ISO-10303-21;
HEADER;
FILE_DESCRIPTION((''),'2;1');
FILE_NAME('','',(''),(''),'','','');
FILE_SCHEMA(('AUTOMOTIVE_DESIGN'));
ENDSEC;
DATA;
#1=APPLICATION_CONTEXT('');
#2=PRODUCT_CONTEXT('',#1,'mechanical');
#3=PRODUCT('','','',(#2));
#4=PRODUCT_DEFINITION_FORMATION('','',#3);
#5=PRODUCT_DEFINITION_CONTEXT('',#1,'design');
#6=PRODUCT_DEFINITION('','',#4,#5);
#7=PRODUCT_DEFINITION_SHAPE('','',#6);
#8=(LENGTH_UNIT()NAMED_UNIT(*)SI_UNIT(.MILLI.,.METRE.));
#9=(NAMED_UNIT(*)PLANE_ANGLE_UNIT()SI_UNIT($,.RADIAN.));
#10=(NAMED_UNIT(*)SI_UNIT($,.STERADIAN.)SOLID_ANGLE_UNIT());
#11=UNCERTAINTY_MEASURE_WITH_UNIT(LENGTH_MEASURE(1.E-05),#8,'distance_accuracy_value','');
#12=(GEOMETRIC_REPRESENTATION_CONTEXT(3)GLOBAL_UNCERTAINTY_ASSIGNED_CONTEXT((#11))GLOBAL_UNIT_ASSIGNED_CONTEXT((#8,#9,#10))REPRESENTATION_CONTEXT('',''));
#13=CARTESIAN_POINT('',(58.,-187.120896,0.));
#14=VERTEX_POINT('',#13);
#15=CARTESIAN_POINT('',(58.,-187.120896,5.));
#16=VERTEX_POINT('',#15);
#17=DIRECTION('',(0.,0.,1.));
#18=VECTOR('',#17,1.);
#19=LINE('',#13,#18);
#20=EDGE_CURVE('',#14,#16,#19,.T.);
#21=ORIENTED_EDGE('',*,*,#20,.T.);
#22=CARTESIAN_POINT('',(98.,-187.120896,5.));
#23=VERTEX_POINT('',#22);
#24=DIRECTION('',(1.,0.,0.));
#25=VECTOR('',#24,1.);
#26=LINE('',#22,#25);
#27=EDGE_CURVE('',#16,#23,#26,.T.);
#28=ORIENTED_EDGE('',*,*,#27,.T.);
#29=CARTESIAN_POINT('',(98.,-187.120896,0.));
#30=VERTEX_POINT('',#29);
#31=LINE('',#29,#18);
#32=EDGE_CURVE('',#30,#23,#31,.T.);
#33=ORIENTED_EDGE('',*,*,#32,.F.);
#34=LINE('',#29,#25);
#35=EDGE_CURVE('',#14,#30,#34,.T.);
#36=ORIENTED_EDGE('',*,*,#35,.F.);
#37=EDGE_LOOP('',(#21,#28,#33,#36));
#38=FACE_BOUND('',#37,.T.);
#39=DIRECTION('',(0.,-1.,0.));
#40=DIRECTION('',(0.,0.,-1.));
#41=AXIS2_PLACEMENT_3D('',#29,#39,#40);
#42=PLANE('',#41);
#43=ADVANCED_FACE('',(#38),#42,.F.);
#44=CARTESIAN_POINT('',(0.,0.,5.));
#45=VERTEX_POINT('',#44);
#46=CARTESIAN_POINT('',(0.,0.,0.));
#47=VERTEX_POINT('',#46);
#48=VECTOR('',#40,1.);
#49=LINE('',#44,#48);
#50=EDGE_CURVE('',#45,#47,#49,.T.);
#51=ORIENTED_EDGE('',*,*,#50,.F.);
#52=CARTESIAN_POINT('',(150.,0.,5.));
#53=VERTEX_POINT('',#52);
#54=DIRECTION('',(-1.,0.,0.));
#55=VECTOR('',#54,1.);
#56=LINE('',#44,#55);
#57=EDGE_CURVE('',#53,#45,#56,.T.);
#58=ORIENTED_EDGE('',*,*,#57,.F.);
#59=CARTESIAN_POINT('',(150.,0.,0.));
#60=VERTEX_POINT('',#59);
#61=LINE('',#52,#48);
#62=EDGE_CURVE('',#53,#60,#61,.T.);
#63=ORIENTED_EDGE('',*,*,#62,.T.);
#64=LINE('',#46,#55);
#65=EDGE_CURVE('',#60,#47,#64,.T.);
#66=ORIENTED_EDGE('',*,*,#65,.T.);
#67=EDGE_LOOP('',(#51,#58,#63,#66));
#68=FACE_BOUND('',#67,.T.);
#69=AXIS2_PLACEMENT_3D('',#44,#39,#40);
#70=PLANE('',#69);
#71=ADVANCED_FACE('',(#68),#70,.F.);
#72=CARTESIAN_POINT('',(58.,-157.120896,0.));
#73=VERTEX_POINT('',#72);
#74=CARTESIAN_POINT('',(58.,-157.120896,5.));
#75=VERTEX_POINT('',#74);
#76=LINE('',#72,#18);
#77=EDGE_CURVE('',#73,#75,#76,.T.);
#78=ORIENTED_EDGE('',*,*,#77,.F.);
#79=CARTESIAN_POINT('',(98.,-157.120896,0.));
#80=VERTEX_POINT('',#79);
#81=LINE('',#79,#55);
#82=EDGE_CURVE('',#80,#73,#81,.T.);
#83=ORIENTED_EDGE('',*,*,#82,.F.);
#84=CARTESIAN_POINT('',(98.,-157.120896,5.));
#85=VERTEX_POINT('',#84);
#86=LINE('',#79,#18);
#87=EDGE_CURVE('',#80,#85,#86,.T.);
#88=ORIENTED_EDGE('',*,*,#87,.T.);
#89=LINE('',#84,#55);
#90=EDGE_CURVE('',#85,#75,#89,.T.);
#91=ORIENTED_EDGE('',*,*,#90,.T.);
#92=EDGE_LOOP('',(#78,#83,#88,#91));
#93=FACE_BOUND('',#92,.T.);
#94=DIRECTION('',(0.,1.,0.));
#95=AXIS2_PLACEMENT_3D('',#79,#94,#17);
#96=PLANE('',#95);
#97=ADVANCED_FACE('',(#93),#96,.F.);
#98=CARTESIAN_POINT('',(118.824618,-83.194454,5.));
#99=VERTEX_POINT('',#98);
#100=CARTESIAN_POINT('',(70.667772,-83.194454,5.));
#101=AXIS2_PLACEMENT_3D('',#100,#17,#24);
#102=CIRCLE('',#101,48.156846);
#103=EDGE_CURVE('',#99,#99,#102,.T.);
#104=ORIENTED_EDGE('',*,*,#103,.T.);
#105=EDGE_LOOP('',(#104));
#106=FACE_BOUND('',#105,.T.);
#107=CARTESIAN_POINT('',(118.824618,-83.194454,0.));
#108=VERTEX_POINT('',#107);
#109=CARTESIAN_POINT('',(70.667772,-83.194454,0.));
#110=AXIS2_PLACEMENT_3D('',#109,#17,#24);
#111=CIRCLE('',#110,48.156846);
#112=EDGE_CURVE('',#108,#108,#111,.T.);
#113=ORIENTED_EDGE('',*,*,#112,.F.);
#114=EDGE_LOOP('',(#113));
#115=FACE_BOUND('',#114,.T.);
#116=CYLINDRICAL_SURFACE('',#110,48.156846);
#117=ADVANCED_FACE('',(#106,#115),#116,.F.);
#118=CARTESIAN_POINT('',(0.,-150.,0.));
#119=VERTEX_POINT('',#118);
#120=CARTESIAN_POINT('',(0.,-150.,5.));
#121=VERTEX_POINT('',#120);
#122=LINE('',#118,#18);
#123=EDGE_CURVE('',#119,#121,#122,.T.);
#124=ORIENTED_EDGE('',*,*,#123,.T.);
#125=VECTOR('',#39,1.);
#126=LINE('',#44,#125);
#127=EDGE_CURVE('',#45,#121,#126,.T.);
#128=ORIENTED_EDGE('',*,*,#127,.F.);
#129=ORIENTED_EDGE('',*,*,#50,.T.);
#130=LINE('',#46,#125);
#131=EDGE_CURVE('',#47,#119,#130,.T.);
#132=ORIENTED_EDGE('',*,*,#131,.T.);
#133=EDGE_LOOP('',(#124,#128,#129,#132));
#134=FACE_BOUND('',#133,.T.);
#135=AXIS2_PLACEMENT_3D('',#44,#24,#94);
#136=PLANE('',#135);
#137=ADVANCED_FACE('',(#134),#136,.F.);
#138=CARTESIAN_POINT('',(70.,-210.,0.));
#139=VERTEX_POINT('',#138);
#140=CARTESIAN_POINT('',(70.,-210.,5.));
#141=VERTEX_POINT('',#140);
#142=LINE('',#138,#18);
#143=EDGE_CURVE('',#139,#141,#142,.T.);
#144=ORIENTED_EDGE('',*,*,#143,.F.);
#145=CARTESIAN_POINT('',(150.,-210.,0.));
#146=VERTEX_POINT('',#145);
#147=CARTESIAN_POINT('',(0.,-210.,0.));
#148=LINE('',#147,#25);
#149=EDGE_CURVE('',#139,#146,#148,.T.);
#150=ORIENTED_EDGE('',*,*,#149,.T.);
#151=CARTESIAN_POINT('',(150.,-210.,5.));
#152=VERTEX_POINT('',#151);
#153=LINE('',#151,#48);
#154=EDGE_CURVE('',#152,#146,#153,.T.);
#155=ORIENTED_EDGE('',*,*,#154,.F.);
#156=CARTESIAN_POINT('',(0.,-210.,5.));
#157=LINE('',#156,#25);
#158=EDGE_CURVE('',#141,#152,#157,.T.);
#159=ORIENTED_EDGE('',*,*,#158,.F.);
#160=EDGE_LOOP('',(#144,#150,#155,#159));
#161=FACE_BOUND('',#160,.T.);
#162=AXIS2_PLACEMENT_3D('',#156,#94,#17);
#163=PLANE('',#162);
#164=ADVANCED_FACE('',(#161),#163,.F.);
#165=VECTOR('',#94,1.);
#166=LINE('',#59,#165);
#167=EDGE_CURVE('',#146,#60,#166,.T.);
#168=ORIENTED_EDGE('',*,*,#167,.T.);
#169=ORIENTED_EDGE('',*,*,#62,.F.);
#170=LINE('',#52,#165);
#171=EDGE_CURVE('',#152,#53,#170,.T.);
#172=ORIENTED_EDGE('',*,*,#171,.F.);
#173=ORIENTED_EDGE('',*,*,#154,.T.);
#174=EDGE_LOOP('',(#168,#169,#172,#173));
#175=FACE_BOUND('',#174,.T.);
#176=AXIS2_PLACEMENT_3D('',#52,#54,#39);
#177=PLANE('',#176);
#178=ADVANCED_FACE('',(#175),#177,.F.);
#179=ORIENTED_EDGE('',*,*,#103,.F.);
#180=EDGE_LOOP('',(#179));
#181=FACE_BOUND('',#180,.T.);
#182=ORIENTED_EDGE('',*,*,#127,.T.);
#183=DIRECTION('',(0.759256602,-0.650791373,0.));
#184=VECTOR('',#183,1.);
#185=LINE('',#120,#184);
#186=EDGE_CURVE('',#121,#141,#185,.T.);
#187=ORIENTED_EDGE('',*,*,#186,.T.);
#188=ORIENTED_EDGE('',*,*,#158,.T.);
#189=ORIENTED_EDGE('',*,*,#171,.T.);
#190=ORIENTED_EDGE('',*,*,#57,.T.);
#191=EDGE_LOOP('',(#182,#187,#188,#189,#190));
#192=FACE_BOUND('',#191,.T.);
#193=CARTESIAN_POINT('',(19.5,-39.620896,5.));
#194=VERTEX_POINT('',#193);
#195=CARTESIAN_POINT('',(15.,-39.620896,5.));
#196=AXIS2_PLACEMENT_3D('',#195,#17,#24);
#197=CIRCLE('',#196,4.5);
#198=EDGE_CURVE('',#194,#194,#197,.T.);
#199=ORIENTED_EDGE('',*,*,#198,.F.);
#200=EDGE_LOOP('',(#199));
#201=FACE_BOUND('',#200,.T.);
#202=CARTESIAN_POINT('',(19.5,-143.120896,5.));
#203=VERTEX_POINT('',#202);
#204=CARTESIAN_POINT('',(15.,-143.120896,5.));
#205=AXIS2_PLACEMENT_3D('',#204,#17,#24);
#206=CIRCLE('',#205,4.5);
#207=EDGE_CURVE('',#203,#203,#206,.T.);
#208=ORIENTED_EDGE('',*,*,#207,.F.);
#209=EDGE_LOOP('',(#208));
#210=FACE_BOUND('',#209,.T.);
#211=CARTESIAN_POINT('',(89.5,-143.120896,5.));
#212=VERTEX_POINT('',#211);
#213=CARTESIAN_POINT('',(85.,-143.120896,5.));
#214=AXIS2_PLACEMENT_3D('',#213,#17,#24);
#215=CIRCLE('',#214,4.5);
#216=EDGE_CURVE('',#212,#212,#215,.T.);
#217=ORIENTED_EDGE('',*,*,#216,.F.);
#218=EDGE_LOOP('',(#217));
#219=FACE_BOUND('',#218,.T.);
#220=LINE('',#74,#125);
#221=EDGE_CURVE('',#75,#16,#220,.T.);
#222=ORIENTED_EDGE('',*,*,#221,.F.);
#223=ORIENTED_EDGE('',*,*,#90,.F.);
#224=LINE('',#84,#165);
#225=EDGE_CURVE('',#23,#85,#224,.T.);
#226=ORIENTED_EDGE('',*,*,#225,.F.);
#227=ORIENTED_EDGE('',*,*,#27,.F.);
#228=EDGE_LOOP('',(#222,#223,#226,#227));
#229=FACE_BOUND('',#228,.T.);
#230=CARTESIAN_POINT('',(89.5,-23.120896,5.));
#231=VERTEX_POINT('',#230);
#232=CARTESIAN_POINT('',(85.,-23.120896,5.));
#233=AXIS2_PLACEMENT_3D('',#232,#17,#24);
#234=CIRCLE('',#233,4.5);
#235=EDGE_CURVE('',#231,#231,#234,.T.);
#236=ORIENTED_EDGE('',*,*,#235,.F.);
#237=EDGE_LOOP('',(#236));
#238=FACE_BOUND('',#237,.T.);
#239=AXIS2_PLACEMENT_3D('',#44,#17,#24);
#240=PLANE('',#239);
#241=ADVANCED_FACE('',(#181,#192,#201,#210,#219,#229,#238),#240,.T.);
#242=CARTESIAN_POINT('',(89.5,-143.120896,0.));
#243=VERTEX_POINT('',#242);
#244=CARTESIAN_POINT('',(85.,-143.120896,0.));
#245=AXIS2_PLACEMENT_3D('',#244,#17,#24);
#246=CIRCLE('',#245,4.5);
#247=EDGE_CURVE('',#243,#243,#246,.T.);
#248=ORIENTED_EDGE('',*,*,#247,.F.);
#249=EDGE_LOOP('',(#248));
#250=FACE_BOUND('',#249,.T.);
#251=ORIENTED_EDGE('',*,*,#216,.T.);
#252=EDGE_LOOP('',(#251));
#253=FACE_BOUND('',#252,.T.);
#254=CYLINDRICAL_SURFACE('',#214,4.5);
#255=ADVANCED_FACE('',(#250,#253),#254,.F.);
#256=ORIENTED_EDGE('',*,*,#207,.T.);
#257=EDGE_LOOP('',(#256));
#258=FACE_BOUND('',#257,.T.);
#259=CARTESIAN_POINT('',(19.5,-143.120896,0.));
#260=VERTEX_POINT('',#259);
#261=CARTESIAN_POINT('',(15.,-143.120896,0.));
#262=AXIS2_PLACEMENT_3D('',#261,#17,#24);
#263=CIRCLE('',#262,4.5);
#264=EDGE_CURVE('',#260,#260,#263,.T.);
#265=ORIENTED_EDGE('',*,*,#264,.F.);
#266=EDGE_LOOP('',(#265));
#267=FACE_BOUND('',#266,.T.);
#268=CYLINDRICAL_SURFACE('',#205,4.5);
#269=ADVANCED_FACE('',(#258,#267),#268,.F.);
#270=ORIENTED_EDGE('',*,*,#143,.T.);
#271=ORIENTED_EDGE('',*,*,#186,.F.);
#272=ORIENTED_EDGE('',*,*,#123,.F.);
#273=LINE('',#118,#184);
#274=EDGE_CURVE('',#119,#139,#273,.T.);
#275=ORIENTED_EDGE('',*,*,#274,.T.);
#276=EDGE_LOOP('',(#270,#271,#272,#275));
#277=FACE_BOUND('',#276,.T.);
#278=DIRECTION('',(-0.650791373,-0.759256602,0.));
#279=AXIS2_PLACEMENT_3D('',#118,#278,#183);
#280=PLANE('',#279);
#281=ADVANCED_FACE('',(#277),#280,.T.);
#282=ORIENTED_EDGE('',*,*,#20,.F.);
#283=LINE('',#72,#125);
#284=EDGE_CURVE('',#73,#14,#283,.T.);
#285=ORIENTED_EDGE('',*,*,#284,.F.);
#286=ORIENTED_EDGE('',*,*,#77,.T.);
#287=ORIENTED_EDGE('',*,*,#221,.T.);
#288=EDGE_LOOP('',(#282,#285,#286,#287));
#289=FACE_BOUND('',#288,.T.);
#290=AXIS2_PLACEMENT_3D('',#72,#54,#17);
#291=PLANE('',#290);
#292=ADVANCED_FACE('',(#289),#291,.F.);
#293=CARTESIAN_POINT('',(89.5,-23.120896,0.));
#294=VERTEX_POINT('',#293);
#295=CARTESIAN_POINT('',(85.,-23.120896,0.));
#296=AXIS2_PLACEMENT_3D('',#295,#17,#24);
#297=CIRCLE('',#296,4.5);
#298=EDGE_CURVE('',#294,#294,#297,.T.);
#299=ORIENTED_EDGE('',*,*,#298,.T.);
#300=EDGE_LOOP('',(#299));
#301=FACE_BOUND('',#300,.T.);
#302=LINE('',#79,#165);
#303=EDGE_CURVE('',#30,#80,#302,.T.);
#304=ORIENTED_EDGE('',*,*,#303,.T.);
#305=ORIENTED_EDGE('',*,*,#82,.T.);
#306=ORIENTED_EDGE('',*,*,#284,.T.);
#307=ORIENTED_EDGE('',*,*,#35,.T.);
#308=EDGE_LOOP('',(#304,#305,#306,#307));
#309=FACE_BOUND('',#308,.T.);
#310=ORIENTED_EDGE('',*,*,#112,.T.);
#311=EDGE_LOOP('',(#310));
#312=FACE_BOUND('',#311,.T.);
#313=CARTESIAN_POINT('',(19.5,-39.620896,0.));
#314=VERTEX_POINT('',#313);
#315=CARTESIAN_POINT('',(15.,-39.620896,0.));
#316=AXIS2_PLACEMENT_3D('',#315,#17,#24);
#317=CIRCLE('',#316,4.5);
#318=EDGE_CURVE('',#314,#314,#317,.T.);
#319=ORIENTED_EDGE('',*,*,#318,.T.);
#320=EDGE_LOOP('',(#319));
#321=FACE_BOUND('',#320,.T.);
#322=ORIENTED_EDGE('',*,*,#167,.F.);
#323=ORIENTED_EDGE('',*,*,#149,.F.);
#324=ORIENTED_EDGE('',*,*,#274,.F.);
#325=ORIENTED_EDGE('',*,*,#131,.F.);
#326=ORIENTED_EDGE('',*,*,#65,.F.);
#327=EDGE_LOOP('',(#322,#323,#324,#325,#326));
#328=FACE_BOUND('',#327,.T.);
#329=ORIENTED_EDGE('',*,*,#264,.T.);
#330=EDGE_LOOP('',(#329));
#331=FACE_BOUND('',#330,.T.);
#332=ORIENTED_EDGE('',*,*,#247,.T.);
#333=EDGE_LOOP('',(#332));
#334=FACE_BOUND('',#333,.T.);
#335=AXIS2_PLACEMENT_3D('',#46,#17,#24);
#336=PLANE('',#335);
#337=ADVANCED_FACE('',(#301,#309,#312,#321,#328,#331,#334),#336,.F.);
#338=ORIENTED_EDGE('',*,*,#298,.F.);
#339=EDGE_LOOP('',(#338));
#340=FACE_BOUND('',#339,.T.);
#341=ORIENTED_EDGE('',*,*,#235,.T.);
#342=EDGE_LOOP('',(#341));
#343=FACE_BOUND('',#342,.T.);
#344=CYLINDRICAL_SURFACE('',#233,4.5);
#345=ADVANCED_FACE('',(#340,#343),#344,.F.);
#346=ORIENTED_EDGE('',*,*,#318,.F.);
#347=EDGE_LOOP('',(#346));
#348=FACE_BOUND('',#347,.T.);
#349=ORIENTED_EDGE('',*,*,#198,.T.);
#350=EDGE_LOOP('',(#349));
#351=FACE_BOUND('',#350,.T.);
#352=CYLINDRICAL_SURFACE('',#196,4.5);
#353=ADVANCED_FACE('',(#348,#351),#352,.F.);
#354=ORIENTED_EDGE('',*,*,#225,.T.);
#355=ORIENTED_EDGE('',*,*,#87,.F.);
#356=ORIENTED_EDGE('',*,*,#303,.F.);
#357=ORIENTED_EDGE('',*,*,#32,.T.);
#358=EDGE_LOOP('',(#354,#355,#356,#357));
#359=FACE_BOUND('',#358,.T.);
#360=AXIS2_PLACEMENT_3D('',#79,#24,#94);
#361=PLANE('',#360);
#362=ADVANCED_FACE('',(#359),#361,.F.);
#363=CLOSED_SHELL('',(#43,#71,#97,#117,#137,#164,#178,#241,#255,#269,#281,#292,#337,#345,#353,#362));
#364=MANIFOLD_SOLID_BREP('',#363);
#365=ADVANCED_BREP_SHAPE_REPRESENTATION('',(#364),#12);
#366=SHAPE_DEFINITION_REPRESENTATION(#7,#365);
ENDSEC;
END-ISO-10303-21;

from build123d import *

# Parameters (mm, degrees)
ESQUISSE1_W             = 150
ESQUISSE1_H             = 210
BOSS_EXTRU_1_DEPTH      = 5
D_GAGEMENT_M81_D        = 9
ESQUISSE5_W             = 40
ESQUISSE5_H             = 30
ENL_V_MAT_EXTRU_1_DEPTH = 5
ENL_V_MAT_EXTRU_2_DEPTH = 5
ESQUISSE7_R             = 48.156846138
ENL_V_MAT_EXTRU_3_DEPTH = 5


with BuildPart() as part:
    # Esquisse1 → Boss.-Extru.1 (new body)
    with BuildSketch(Plane.XY):
        with Locations((75, -105)):
            Rectangle(ESQUISSE1_W, ESQUISSE1_H)
    extrude(amount=BOSS_EXTRU_1_DEPTH)

    # Dégagement M81 (through all)
    with Locations(Plane.XY.offset(5)):
        with Locations((85, -23.12089623), (85, -143.12089623), (15, -143.12089623), (15, -39.62089623)):
            Hole(D_GAGEMENT_M81_D / 2)

    # Esquisse5 → Enlèv. mat.-Extru.1 (cut)
    with BuildSketch(Plane.XY.offset(5)):
        with Locations((78, -172.12089623)):
            Rectangle(ESQUISSE5_W, ESQUISSE5_H)
    extrude(amount=-ENL_V_MAT_EXTRU_1_DEPTH, mode=Mode.SUBTRACT)

    # Esquisse6 → Enlèv. mat.-Extru.2 (cut)
    with BuildSketch(Plane.XY.offset(5)):
        Polygon((0, -210), (0, -150), (70, -210), align=None)
    extrude(amount=-ENL_V_MAT_EXTRU_2_DEPTH, mode=Mode.SUBTRACT)

    # Esquisse7 → Enlèv. mat.-Extru.3 (cut)
    with BuildSketch(Plane.XY.offset(5)):
        with Locations((70.667772287, -83.194453846)):
            Circle(ESQUISSE7_R)
    extrude(amount=-ENL_V_MAT_EXTRU_3_DEPTH, mode=Mode.SUBTRACT)


solid = part.part
